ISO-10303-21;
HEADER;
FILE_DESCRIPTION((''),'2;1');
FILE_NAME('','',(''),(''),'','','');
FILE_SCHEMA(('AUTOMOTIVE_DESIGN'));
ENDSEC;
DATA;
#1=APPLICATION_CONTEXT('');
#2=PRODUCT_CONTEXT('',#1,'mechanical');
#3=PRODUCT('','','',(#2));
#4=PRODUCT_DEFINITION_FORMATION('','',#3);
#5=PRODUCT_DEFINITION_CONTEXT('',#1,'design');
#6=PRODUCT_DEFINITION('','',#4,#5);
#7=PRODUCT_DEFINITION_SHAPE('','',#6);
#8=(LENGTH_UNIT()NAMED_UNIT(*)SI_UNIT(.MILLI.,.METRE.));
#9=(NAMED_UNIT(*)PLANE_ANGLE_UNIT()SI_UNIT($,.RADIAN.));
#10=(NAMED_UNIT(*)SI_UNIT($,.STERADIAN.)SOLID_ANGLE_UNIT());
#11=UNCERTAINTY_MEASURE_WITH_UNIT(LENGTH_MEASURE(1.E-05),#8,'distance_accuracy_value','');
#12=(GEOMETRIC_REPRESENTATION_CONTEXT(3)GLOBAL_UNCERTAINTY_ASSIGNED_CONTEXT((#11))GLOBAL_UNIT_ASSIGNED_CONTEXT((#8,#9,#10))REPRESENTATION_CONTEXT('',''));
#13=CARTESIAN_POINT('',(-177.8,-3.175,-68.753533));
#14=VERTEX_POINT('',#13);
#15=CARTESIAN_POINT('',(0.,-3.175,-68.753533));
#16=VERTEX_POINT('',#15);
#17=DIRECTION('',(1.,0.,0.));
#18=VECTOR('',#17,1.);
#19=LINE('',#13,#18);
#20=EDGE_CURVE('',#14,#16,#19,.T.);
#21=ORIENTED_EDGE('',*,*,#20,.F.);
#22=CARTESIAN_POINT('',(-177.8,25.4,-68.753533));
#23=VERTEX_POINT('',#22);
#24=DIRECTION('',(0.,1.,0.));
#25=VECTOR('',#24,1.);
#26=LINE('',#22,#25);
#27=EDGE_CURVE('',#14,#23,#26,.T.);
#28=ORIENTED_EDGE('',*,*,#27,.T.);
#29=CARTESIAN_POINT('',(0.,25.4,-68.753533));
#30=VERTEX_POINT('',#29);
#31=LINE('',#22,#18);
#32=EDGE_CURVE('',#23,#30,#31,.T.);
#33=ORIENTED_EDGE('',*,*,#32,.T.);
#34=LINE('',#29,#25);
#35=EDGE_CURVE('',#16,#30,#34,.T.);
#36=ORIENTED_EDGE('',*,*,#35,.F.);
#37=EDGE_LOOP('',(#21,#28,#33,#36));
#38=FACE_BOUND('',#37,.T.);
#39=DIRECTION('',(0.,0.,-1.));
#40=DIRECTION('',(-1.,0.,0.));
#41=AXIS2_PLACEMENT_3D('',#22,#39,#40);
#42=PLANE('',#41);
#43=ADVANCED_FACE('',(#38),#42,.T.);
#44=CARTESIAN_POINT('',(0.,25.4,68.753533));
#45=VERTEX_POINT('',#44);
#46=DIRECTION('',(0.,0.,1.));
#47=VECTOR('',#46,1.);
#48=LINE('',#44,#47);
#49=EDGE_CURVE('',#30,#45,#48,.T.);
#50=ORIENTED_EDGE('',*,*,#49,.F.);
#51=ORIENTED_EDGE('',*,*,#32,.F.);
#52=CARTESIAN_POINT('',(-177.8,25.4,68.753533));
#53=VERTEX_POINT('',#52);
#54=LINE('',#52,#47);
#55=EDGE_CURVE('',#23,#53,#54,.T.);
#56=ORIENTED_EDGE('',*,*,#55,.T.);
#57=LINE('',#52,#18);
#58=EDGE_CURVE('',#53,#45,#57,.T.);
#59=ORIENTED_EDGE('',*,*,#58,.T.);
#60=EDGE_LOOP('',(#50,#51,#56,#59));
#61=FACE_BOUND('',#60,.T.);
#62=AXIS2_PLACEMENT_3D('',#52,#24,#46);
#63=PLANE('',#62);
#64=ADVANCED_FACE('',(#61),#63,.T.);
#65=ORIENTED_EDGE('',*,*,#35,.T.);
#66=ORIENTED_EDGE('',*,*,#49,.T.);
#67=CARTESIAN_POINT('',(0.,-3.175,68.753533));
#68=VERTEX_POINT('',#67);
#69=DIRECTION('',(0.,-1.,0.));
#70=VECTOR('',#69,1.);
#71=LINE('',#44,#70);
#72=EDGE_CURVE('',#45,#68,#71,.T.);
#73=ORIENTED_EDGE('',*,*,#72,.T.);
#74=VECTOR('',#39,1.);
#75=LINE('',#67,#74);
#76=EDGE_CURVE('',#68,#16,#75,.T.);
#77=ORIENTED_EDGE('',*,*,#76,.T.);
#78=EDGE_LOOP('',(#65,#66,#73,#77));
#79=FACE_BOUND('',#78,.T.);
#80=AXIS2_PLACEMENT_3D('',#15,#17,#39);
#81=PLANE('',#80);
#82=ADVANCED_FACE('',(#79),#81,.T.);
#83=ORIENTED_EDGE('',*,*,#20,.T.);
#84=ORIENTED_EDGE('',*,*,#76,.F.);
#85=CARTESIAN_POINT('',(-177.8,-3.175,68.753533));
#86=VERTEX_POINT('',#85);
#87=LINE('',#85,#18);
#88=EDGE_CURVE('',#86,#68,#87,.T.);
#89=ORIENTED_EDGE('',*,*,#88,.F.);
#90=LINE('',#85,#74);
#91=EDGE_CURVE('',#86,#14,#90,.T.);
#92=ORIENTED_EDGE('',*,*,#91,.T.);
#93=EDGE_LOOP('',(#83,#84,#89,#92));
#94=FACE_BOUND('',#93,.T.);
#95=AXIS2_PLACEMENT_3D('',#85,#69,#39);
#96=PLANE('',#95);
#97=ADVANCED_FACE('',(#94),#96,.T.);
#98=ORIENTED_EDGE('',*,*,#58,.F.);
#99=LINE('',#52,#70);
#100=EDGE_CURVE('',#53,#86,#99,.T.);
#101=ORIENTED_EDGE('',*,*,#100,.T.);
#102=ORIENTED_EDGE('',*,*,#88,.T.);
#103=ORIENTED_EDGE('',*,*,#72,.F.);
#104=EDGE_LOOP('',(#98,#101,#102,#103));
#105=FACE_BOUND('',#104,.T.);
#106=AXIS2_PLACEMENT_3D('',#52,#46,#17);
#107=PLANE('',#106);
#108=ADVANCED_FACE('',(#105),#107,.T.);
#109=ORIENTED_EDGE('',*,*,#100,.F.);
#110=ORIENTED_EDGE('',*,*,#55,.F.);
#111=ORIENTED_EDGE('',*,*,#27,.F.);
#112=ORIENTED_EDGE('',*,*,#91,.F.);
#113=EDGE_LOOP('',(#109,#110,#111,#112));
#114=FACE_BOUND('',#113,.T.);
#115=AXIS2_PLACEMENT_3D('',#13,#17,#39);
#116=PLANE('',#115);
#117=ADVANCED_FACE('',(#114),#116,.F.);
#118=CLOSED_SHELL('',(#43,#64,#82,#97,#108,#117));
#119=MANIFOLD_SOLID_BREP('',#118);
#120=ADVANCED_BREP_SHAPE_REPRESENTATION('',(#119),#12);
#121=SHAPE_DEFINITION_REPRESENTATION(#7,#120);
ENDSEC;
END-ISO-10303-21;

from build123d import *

# Parameters (mm, degrees)
SKETCH1_W      = 137.507065568
SKETCH1_H      = 28.575
EXTRUDE1_DEPTH = 177.8


with BuildPart() as part:
    # Sketch1 → Extrude1 (new body)
    with BuildSketch(Plane(origin=(0, 0, 0), x_dir=(0, 0, -1), z_dir=(1, 0, 0))):
        with Locations((0, 11.1125)):
            Rectangle(SKETCH1_W, SKETCH1_H)
    extrude(amount=-EXTRUDE1_DEPTH)


solid = part.part
